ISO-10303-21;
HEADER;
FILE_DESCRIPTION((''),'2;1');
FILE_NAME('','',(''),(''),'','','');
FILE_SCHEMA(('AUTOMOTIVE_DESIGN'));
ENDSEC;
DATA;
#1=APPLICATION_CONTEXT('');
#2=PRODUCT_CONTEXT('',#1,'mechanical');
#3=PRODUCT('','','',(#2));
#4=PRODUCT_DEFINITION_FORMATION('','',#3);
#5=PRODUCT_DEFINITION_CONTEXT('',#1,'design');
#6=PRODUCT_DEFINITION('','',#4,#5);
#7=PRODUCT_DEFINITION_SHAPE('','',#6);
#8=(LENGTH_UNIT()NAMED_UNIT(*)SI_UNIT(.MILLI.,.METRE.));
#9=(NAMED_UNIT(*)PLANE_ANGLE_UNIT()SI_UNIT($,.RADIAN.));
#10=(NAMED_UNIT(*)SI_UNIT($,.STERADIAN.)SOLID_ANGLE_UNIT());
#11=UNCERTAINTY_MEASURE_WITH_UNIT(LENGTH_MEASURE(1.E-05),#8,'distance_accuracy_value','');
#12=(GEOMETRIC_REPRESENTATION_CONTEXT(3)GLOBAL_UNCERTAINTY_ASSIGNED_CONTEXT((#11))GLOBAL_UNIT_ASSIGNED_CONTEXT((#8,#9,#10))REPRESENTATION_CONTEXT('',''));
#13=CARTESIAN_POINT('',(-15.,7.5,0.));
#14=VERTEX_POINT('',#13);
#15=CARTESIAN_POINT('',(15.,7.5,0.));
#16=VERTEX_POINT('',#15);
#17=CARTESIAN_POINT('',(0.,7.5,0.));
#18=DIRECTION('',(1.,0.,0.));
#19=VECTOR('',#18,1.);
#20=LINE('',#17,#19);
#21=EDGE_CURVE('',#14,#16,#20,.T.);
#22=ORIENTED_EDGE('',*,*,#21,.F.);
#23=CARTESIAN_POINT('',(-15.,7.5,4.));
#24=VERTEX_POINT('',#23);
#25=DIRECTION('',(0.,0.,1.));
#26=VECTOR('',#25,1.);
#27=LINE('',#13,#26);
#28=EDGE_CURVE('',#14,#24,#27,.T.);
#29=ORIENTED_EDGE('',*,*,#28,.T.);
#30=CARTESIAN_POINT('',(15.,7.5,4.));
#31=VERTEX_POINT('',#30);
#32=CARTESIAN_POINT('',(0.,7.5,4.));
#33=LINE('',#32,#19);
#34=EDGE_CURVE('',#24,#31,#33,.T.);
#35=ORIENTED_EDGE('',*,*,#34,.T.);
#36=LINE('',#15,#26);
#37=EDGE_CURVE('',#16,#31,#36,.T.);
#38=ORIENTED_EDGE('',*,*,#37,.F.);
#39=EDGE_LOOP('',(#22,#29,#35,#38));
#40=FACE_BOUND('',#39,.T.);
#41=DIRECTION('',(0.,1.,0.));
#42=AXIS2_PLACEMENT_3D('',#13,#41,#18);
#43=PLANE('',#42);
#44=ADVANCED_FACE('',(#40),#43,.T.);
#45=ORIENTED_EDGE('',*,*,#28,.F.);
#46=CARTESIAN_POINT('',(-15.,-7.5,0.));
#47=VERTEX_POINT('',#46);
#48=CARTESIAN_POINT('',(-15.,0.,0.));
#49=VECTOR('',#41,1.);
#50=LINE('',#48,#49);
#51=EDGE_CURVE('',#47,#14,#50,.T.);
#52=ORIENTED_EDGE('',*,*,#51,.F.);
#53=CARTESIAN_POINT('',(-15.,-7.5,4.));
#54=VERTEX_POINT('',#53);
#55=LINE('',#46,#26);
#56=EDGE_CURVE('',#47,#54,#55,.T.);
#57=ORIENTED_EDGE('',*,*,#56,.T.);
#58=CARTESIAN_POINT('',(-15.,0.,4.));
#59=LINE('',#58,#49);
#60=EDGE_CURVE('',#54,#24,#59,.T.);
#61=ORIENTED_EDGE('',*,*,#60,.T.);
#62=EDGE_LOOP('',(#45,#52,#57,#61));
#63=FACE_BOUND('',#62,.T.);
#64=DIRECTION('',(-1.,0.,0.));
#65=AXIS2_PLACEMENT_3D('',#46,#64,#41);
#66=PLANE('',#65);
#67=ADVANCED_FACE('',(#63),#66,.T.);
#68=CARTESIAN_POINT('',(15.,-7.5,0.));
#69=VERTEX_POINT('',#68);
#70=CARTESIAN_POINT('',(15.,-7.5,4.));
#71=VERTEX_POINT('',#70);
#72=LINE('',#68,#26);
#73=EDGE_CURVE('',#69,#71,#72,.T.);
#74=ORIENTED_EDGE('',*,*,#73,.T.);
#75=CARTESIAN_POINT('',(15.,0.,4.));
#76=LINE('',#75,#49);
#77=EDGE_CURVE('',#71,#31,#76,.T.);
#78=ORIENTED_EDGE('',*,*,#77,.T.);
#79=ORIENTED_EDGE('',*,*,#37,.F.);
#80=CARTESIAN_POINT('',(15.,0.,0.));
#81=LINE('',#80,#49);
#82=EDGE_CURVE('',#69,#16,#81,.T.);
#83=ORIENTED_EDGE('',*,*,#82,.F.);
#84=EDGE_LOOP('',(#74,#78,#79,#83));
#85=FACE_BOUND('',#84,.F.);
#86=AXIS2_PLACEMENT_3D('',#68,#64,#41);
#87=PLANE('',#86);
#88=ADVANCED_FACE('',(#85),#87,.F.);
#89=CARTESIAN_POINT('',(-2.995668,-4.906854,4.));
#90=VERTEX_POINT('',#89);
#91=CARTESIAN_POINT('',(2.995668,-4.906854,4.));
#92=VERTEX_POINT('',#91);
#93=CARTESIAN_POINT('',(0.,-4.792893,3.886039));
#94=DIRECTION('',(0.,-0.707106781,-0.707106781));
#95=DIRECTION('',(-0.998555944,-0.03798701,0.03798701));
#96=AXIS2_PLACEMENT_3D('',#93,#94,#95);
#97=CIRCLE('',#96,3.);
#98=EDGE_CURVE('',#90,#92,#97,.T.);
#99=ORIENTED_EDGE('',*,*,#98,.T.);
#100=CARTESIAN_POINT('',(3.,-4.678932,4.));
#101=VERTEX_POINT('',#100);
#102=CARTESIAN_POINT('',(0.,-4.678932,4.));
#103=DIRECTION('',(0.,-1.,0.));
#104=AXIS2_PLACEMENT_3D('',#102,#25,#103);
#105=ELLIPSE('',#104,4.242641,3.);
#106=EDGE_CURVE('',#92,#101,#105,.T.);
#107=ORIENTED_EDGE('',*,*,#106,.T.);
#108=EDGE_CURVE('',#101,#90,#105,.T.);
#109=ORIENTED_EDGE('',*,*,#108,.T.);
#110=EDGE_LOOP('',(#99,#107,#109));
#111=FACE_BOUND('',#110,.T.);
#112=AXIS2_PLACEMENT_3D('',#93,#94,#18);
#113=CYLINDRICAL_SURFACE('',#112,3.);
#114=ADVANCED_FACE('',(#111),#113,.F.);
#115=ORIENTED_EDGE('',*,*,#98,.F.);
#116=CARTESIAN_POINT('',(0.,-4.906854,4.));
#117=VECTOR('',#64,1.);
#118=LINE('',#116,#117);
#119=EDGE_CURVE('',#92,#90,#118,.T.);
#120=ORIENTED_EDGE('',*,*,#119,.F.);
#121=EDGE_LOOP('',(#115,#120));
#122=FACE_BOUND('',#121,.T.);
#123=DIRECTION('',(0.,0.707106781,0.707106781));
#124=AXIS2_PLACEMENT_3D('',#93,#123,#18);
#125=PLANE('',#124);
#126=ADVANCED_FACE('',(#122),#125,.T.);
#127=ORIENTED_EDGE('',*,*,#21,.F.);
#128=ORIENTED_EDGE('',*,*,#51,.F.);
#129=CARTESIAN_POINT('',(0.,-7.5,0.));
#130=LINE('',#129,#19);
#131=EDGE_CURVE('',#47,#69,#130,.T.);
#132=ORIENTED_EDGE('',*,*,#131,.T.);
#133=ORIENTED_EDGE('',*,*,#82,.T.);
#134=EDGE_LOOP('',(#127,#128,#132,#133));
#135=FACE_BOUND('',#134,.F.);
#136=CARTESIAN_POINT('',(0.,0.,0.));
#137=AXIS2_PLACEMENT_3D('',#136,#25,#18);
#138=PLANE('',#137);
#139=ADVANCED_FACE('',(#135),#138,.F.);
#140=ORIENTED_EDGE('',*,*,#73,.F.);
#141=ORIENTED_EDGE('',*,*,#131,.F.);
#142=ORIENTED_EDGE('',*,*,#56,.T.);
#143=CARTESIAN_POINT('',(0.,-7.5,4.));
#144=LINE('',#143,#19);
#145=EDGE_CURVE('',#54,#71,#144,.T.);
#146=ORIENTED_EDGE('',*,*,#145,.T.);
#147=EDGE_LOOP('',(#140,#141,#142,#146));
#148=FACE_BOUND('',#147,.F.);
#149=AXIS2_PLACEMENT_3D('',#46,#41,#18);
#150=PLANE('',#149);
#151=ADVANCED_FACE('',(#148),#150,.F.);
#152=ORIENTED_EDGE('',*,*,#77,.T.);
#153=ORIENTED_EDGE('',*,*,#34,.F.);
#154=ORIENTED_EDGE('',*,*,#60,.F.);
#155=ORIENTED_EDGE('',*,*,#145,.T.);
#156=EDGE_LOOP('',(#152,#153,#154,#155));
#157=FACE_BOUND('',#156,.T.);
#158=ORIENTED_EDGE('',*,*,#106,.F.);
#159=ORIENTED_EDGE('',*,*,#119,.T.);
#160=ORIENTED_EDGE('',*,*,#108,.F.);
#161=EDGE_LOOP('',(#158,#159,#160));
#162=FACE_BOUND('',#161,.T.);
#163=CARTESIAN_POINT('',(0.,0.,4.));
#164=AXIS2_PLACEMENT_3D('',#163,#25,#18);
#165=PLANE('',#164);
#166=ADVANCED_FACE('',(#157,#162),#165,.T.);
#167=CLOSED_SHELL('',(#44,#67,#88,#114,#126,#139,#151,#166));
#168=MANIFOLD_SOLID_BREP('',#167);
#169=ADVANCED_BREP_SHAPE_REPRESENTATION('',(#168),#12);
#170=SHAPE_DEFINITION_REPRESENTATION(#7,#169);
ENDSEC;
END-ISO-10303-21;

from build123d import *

# Parameters (mm, degrees)
F0_W     = 30
F0_H     = 15
F1_DEPTH = 4
F2_R     = 3
F3_DEPTH = 25
F4_ANGLE = 45


with BuildPart() as f1:
    # F0 (on Top) → F1 (new body)
    with BuildSketch(Plane.XY):
        Rectangle(F0_W, F0_H)
    extrude(amount=F1_DEPTH)


with BuildPart() as f3:
    # F2 (on Top) → F3 (new body)
    with BuildSketch(Plane.XY):
        with Locations((0, -2.5)):
            Circle(F2_R)
    extrude(amount=F3_DEPTH)


with BuildPart() as f3_1:
    # F4: moved
    add(f3.part.rotate(Axis((0, -7.5, 4), (-1, 0, 0)), F4_ANGLE))


with BuildPart() as f3_2:
    # F5: moved
    add(f3_1.part.moved(Location((0, 2, 6.25))))


with BuildPart() as f1_1:
    add(f1.part)

    # F6: cut F3
    add(f3_2.part, mode=Mode.SUBTRACT)


solid = f1_1.part
